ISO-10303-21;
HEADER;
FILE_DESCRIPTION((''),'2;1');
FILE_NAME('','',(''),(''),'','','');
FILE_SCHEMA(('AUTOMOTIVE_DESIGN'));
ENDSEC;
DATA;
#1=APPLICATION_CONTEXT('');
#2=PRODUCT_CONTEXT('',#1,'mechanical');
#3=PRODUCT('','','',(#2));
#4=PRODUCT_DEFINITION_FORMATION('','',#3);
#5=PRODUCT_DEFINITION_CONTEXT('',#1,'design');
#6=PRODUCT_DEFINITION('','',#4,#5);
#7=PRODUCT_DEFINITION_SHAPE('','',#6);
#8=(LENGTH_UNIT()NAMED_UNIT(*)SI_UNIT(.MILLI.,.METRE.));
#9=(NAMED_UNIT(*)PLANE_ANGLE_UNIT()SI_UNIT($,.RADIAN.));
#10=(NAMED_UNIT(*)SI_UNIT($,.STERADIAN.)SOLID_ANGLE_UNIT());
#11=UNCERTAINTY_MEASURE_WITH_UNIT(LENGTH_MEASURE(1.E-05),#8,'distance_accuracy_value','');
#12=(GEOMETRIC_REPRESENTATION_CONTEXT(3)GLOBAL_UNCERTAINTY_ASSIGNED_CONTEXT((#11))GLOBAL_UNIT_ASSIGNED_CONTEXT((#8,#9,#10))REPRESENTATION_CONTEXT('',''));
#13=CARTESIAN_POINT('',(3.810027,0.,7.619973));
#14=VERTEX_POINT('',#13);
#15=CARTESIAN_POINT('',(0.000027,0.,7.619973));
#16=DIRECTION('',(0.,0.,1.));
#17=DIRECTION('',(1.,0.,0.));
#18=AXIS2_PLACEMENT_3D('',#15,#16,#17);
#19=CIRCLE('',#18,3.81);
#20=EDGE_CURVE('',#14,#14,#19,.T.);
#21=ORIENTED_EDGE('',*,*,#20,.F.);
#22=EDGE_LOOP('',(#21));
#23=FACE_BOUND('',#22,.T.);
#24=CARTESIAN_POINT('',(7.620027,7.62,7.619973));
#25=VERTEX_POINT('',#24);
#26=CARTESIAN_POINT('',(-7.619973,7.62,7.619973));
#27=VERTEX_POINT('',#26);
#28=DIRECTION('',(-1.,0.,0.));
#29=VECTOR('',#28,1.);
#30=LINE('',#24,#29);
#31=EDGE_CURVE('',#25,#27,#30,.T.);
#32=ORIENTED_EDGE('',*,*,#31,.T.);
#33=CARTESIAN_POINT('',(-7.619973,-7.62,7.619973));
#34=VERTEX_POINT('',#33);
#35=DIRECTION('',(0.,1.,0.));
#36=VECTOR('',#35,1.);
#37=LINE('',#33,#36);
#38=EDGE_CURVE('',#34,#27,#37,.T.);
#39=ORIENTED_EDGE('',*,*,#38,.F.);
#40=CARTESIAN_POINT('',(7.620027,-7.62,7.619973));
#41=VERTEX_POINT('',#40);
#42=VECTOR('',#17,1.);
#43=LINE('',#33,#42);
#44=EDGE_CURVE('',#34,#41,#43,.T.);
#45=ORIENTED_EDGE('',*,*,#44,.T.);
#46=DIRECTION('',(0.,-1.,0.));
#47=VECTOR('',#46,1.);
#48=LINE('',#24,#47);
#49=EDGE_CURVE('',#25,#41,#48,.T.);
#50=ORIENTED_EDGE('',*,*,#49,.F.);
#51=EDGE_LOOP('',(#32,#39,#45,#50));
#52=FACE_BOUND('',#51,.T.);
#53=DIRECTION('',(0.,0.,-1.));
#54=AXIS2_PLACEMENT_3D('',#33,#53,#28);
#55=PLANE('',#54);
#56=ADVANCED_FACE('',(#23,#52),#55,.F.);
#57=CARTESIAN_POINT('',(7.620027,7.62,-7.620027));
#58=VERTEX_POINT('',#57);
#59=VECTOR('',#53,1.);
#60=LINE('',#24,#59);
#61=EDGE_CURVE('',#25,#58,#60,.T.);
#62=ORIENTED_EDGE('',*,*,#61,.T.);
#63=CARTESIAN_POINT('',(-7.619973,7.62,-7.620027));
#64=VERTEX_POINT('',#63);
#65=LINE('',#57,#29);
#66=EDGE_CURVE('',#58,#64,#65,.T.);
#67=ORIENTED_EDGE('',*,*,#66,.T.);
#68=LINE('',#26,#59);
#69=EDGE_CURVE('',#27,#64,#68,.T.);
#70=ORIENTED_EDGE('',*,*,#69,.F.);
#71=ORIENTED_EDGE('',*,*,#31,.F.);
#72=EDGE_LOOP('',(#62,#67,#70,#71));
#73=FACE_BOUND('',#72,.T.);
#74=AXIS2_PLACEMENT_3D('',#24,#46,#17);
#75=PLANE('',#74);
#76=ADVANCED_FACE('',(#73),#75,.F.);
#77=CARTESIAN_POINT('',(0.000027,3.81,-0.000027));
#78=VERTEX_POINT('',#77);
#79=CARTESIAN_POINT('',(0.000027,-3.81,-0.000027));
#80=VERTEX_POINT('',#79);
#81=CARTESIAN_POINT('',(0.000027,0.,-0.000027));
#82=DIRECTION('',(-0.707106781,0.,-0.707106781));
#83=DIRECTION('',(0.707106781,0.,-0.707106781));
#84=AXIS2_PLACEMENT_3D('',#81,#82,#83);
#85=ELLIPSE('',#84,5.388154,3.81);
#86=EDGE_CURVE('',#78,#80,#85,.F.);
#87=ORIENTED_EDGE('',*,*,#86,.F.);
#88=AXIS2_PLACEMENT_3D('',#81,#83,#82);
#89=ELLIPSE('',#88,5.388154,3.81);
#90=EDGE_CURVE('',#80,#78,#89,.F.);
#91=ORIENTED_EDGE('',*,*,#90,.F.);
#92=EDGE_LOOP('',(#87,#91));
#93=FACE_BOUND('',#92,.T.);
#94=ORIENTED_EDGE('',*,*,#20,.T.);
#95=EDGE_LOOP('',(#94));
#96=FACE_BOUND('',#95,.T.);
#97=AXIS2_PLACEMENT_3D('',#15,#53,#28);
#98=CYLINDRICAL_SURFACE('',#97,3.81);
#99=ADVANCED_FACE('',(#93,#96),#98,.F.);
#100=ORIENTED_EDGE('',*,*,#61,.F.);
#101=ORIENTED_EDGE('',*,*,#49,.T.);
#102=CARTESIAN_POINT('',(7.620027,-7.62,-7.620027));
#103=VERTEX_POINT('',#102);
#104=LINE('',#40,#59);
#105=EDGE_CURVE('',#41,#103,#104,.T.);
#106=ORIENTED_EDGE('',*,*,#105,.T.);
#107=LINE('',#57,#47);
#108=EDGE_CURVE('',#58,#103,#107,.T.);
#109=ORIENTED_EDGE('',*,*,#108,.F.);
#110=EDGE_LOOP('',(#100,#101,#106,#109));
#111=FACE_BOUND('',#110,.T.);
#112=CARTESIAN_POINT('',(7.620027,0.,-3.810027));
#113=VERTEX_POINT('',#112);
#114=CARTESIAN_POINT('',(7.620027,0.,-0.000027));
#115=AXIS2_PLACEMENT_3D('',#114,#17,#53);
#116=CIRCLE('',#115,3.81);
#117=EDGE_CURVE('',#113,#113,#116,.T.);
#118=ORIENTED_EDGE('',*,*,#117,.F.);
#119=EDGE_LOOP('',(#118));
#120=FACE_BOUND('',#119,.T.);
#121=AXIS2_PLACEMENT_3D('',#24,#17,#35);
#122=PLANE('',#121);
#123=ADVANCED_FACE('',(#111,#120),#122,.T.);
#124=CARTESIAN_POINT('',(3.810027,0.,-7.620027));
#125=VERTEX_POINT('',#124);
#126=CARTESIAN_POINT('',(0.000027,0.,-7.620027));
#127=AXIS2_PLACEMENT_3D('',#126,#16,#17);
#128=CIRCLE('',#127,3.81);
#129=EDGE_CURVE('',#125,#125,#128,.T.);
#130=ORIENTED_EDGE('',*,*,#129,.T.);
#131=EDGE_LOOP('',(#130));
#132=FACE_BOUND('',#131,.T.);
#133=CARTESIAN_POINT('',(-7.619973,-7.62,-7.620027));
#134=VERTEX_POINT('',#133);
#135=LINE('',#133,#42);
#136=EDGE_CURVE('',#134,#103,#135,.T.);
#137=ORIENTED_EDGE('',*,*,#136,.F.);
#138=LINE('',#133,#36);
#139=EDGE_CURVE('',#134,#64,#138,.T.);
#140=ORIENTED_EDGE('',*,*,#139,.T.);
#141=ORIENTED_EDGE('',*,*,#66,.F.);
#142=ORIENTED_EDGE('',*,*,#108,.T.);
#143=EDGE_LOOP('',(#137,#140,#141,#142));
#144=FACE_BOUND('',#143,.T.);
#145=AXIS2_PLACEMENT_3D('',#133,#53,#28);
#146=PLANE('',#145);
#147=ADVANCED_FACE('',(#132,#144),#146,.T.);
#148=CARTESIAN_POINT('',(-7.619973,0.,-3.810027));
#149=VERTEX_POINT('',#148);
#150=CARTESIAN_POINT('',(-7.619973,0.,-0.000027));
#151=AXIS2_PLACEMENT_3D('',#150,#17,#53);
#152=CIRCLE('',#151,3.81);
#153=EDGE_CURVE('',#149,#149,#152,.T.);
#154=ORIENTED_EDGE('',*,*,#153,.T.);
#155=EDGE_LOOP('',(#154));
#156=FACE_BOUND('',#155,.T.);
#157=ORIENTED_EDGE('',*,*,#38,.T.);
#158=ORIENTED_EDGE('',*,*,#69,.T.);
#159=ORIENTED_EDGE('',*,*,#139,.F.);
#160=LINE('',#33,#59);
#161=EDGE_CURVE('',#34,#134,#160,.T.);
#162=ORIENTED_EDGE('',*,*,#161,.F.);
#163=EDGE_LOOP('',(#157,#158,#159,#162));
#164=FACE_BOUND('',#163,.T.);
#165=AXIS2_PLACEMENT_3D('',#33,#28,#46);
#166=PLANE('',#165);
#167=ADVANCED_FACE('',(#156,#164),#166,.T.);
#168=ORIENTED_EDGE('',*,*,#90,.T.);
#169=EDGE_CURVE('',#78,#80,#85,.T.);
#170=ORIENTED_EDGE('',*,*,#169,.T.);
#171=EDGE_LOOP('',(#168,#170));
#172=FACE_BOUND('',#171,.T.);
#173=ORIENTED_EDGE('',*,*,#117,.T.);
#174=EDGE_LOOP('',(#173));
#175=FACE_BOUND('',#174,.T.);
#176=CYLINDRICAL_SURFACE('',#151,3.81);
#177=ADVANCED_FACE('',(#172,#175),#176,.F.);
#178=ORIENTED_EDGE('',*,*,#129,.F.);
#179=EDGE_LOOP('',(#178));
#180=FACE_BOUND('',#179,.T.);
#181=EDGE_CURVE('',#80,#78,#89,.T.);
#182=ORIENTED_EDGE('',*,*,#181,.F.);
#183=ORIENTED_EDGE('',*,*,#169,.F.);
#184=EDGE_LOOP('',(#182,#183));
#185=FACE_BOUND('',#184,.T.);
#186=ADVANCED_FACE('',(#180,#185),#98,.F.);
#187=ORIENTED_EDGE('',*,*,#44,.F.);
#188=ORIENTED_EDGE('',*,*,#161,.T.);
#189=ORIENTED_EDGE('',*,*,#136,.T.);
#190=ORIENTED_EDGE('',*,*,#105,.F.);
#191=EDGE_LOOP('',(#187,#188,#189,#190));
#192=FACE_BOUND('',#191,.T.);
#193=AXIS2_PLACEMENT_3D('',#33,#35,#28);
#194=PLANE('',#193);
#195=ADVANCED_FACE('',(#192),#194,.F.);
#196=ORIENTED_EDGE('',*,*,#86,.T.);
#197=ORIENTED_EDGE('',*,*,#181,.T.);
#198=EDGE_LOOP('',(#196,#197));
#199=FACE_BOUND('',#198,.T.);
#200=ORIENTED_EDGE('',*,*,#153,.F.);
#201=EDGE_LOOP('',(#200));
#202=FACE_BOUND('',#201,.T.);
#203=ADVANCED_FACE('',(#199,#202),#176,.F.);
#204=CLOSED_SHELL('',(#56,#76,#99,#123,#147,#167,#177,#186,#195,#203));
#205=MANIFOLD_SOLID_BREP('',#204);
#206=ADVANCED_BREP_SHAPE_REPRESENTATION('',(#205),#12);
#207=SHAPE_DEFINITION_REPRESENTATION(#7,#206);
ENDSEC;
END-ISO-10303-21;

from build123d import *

# Parameters (mm, degrees)
SKETCH1_W          = 19.05
SKETCH1_H          = 19.05
SKETCH1_R          = 4.7625
BASE_EXTRUDE_DEPTH = 9.525
SKETCH3_R          = 4.7625
CUT_EXTRUDE1_DEPTH = 24.3313898
SCALE1_SCALE       = 0.8


with BuildPart() as part:
    # Sketch1 → Base-Extrude (new, symmetric)
    with BuildSketch(Plane.XY):
        Rectangle(SKETCH1_W, SKETCH1_H)
        with Locations(Location((0, 0, 0), (0, 0, 180))):
            Circle(SKETCH1_R, mode=Mode.SUBTRACT)
    extrude(amount=BASE_EXTRUDE_DEPTH, both=True)

    # Sketch3 → Cut-Extrude1 (cut, through all)
    with BuildSketch(Plane(origin=(9.525, 0, 0), x_dir=(0, 0, -1), z_dir=(1, 0, 0))):
        Circle(SKETCH3_R)
    extrude(amount=-CUT_EXTRUDE1_DEPTH, mode=Mode.SUBTRACT)


with BuildPart() as part_1:
    # Scale1: scaled about (0, 0, 0)
    add(part.part.scale(SCALE1_SCALE))


solid = part_1.part
